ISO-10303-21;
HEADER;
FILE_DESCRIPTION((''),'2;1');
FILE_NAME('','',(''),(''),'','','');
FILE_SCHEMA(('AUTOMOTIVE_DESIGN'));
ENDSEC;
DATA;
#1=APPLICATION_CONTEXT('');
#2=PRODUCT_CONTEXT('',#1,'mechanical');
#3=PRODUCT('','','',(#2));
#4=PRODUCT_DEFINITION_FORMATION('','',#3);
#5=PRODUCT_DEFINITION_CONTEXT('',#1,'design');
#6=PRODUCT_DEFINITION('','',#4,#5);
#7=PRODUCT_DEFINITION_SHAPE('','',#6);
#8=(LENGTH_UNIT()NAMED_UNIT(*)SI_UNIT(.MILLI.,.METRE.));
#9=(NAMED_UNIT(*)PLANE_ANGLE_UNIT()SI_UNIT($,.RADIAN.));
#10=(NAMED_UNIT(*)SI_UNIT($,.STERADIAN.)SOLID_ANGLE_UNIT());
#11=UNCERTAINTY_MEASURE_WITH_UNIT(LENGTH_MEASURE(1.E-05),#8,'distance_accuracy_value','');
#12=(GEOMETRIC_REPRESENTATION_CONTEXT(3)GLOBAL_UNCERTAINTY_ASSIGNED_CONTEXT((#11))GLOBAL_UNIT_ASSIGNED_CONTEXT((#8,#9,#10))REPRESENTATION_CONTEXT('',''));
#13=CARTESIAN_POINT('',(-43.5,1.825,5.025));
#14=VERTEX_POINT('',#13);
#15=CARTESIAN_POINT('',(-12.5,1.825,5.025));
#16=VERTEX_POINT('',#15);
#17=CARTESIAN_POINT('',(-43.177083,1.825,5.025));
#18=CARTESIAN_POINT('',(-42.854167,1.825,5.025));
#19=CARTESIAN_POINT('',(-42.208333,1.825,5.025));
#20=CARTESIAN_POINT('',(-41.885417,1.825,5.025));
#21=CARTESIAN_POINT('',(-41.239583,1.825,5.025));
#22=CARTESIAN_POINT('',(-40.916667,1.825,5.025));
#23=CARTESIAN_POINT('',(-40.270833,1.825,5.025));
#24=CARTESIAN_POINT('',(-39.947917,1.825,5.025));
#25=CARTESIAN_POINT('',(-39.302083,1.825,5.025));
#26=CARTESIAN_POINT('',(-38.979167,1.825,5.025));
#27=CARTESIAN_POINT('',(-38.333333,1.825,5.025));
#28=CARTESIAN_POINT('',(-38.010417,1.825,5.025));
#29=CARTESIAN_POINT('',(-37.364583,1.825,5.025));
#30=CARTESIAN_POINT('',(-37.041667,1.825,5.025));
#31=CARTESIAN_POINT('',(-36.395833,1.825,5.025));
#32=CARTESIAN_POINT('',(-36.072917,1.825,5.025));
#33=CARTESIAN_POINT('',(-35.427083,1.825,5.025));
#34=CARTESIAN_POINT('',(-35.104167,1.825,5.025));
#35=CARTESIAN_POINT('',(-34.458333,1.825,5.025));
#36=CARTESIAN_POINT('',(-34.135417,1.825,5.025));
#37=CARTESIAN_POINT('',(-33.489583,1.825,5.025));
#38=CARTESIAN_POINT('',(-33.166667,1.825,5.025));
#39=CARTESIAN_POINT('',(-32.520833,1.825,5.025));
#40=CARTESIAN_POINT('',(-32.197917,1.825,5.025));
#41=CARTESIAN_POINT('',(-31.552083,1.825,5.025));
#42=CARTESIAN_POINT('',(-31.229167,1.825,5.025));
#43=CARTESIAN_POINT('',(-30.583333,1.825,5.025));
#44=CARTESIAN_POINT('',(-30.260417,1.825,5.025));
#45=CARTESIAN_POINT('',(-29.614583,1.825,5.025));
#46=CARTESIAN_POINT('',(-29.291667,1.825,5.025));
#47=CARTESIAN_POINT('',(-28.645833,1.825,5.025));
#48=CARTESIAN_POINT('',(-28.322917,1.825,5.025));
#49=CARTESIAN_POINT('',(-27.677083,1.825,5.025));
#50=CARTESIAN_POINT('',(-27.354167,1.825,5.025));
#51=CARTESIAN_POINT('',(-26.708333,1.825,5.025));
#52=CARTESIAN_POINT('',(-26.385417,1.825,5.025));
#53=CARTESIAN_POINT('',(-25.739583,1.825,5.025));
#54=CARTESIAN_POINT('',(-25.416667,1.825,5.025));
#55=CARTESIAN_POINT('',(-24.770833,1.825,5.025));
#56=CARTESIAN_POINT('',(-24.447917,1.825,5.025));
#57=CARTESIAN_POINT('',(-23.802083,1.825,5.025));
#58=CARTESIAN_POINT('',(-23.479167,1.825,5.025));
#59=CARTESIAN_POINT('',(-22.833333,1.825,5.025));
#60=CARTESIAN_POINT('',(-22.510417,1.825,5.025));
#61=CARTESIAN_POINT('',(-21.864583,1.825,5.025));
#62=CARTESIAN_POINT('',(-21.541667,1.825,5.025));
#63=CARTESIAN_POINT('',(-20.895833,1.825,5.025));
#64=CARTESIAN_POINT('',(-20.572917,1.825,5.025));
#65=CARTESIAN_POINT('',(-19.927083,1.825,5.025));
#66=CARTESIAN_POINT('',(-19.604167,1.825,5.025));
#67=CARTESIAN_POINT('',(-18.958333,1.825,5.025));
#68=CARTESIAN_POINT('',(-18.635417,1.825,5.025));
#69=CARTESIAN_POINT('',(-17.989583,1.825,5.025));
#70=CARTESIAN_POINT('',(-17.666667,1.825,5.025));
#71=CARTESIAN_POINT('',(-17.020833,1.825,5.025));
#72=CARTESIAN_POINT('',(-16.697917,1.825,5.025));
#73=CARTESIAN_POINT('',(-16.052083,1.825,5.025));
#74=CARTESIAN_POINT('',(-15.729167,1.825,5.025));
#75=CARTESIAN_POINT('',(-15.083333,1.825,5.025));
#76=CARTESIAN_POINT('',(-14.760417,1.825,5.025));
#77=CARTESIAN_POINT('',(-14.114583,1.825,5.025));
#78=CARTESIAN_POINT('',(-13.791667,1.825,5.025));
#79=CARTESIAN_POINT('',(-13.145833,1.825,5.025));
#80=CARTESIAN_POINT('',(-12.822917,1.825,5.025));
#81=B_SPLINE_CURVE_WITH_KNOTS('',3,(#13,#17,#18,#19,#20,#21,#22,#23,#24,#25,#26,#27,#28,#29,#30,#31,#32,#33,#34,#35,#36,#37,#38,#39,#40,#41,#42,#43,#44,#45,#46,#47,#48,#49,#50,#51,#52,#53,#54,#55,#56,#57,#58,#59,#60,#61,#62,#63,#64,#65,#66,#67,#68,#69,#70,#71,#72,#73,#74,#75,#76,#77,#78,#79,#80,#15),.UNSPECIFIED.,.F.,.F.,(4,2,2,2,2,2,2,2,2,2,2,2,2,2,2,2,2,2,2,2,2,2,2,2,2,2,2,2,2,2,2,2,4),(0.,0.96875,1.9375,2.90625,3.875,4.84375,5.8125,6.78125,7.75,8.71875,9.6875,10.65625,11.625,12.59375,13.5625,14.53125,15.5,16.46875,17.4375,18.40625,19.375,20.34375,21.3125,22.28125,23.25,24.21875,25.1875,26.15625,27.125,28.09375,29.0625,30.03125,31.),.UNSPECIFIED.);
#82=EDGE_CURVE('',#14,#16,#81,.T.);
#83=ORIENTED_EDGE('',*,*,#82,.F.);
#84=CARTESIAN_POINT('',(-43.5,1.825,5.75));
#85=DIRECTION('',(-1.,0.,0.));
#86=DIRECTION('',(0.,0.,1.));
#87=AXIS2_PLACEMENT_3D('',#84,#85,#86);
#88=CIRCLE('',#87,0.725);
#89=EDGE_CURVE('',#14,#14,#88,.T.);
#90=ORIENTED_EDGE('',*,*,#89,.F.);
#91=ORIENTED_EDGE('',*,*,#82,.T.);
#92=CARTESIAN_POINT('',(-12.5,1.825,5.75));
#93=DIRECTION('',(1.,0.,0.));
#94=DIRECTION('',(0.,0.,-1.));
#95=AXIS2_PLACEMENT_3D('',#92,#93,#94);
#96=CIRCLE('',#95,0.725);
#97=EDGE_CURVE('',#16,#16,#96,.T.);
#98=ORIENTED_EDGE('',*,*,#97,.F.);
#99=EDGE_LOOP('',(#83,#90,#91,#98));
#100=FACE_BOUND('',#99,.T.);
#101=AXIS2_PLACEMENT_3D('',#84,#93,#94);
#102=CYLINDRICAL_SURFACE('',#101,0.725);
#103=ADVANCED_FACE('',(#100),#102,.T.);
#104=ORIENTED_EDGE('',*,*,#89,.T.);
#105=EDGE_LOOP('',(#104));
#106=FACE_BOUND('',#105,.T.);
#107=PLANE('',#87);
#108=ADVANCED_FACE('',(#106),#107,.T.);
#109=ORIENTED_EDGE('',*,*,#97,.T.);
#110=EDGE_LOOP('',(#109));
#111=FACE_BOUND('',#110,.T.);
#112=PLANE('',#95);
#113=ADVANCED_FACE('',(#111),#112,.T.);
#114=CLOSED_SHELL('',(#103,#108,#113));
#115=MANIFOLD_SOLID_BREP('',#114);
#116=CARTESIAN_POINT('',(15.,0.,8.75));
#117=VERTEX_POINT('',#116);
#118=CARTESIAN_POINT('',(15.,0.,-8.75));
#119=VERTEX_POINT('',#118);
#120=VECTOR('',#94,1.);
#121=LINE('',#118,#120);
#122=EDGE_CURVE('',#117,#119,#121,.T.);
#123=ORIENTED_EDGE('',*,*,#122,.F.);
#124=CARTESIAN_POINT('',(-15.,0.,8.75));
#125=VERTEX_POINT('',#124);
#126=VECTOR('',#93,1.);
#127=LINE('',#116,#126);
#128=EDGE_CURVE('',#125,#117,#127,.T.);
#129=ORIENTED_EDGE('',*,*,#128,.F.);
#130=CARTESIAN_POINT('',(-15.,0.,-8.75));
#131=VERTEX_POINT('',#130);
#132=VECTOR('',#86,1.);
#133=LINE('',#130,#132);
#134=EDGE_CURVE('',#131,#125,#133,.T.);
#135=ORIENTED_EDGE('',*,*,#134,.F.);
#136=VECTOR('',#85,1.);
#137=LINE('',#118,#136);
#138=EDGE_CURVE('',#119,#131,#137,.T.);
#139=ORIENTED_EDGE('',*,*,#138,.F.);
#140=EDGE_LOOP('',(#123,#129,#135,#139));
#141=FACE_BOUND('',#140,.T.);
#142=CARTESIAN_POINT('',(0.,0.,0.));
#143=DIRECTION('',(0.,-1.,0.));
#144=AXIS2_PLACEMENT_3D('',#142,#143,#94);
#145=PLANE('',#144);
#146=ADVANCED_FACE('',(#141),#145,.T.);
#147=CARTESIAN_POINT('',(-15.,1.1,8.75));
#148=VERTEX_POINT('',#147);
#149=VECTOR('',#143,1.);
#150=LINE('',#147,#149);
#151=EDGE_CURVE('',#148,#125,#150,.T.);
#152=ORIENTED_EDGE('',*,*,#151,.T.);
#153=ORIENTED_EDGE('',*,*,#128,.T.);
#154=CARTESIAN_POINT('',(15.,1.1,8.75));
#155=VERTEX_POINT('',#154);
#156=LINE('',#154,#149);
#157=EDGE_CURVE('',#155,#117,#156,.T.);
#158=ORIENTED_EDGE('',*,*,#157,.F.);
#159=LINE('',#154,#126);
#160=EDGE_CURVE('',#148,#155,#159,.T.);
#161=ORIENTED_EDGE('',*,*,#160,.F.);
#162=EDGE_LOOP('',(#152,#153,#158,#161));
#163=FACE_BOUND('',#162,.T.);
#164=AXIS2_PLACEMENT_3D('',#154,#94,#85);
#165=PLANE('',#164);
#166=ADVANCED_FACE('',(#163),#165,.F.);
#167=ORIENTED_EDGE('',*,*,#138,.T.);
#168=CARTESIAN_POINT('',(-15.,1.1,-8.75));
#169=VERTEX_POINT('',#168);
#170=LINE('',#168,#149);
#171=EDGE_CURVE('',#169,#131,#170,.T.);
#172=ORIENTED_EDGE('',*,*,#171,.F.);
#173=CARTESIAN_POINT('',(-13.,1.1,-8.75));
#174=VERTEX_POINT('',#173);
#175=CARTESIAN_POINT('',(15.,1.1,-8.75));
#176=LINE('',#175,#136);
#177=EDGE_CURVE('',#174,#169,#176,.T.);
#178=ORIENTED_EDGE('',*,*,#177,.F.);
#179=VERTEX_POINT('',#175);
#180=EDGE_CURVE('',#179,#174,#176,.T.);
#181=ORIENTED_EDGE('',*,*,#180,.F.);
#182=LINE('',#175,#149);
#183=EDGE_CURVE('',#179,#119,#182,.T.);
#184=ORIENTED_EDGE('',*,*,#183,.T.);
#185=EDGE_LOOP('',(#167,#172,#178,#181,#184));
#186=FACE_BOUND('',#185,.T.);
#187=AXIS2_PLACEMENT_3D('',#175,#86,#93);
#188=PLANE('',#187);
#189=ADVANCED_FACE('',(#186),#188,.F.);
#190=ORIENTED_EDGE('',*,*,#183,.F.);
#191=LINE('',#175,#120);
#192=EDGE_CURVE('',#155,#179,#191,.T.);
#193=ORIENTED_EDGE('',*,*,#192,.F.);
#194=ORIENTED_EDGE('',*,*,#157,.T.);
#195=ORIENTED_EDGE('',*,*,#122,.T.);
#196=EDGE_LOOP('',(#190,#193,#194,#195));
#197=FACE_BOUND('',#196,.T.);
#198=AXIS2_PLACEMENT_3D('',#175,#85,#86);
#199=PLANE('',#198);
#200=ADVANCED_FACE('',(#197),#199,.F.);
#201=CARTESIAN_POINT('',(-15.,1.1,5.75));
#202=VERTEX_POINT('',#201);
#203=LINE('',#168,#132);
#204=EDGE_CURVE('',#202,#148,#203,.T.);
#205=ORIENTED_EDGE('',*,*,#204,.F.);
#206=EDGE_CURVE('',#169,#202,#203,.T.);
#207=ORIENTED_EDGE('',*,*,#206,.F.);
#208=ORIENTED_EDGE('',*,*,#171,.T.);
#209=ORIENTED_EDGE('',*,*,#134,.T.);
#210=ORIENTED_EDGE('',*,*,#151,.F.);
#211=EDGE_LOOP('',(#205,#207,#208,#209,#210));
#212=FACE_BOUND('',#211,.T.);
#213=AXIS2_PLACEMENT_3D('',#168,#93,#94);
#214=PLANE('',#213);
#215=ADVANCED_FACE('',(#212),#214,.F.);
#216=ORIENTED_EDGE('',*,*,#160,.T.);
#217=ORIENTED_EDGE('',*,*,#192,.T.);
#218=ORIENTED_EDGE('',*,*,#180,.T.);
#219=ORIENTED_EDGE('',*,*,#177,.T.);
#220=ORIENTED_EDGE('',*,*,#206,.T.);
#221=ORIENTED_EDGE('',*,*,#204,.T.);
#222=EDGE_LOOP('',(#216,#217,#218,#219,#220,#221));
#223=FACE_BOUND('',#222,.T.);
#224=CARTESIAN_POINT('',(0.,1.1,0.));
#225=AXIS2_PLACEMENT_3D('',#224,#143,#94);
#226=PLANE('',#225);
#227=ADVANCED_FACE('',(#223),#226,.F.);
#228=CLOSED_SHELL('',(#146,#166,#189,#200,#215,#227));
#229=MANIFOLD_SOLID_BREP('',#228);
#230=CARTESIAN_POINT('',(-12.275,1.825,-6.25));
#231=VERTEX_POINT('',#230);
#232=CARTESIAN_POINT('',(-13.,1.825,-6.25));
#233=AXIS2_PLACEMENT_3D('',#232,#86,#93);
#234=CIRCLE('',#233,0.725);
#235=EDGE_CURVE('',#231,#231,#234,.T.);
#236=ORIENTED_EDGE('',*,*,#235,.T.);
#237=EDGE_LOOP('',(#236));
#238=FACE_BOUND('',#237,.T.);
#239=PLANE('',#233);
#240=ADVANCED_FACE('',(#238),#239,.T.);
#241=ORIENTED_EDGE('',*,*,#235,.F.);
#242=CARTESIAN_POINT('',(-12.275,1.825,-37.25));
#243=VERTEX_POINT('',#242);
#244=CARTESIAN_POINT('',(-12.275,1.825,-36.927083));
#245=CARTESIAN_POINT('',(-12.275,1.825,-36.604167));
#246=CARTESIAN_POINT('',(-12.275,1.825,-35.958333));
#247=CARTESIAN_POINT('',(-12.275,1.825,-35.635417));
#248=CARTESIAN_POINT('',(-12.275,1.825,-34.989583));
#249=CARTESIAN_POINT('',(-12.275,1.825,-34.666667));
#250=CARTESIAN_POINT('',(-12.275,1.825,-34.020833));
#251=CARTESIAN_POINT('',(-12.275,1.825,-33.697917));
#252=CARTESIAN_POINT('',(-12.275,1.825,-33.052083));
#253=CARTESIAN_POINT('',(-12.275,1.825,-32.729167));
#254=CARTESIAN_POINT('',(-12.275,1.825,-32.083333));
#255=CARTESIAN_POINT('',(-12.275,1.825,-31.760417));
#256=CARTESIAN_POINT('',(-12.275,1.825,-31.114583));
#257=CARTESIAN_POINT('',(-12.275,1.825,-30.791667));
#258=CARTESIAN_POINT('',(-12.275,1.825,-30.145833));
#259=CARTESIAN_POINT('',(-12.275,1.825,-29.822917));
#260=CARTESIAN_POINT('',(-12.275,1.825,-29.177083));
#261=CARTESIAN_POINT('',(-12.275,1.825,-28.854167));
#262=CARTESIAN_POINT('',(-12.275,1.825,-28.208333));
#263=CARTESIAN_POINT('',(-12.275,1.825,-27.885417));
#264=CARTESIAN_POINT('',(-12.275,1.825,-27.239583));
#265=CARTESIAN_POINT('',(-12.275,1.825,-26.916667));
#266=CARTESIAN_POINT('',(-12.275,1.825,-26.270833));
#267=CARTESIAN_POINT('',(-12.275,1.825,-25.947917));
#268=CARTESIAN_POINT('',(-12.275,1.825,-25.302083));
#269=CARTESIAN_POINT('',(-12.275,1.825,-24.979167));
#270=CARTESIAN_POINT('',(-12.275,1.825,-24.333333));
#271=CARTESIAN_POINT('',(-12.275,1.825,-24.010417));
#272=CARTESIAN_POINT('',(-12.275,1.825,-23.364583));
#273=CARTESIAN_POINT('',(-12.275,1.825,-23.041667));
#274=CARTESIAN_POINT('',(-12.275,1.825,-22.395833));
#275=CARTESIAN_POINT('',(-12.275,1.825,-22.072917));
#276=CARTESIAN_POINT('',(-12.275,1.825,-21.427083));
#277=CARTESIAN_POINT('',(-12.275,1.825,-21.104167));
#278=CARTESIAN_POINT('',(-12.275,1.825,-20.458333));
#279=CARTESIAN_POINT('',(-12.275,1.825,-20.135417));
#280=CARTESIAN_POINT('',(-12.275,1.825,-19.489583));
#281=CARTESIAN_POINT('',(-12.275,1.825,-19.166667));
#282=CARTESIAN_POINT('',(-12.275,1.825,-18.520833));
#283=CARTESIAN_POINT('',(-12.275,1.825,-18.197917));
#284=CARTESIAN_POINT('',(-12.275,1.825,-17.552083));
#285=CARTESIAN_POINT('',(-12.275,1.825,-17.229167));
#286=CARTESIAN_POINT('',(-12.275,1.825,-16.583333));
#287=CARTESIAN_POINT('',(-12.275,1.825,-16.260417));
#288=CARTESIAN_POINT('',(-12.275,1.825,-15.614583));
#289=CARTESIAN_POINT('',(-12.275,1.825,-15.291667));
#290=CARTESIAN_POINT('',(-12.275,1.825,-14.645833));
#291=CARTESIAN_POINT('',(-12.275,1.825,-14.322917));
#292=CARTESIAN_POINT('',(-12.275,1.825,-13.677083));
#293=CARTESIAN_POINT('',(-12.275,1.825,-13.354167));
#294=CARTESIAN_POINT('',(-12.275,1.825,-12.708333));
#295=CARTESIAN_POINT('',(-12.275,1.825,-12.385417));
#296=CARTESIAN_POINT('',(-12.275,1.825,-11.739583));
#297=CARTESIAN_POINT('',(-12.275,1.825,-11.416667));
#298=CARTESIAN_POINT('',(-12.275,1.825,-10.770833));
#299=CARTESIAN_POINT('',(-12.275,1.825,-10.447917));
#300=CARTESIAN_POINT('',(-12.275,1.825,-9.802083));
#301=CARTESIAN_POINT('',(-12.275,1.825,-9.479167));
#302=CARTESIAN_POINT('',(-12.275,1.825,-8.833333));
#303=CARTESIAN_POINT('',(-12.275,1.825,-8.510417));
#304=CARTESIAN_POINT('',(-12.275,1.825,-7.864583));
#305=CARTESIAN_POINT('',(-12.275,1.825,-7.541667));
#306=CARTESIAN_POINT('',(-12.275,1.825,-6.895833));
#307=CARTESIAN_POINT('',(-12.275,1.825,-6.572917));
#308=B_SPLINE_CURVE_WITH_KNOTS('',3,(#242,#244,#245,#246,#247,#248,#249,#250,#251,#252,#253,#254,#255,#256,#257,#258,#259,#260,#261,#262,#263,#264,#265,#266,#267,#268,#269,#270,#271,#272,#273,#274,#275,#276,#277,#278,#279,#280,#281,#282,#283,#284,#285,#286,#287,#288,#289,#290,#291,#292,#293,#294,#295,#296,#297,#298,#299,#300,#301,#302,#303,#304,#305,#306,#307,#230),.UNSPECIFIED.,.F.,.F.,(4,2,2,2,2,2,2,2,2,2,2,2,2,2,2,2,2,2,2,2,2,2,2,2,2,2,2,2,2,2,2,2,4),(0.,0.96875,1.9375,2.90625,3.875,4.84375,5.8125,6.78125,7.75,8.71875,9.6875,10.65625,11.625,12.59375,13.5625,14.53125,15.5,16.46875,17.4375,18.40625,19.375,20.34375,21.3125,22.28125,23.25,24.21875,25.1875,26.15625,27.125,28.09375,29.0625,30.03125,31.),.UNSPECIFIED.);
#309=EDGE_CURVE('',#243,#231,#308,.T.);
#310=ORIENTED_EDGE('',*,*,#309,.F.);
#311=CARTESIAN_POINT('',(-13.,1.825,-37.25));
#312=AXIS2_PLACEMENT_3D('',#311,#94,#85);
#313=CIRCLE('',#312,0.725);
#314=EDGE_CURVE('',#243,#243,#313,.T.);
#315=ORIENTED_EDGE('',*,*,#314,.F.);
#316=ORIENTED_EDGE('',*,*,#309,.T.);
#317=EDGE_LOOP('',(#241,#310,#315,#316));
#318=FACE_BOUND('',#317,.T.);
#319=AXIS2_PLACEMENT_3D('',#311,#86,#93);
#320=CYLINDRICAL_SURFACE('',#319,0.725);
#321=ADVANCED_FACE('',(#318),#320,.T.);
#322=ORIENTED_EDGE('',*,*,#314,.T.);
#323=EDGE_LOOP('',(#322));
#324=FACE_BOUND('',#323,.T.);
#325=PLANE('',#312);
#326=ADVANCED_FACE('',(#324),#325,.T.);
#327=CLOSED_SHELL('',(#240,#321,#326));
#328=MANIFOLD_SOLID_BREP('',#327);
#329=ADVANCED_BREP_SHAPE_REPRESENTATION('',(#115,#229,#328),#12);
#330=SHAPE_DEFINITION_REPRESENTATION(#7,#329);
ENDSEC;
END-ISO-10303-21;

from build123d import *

# Parameters (mm, degrees)
SKETCH1_W           = 30
SKETCH1_H           = 17.5
BOSS_EXTRUDE1_DEPTH = 1.1
SKETCH2_R           = 0.725
BOSS_EXTRUDE2_DEPTH = 28.5
SKETCH4_R           = 0.725
BOSS_EXTRUDE3_DEPTH = 28.5
SKETCH6_R           = 0.725
BOSS_EXTRUDE4_DEPTH = 2.5
SKETCH7_R           = 0.725
BOSS_EXTRUDE5_DEPTH = 2.5


with BuildPart() as part:
    # Sketch1 → Boss-Extrude1 (new body)
    with BuildSketch(Plane(origin=(0, 0, 0), x_dir=(1, 0, 0), z_dir=(0, 1, 0))):
        Rectangle(SKETCH1_W, SKETCH1_H)
    extrude(amount=BOSS_EXTRUDE1_DEPTH)


with BuildPart() as body_2:
    # Sketch2 → Boss-Extrude2 (new body)
    with BuildSketch(Plane(origin=(0, 0, -8.75), x_dir=(-1, 0, 0), z_dir=(0, 0, -1))):
        with Locations(Location((13, 1.825, 0), (0, 0, 180))):
            Circle(SKETCH2_R)
    extrude(amount=BOSS_EXTRUDE2_DEPTH)

    # Sketch6 → Boss-Extrude4 (add)
    with BuildSketch(Plane.XY.offset(-8.75)):
        with Locations((-13, 1.825)):
            Circle(SKETCH6_R)
    extrude(amount=BOSS_EXTRUDE4_DEPTH)


with BuildPart() as body_3:
    # Sketch4 → Boss-Extrude3 (new body)
    with BuildSketch(Plane.ZY.offset(15)):
        with Locations(Location((5.75, 1.825, 0), (0, 0, 180))):
            Circle(SKETCH4_R)
    extrude(amount=BOSS_EXTRUDE3_DEPTH)

    # Sketch7 → Boss-Extrude5 (add)
    with BuildSketch(Plane(origin=(-15, 0, 0), x_dir=(0, 0, -1), z_dir=(1, 0, 0))):
        with Locations((-5.75, 1.825)):
            Circle(SKETCH7_R)
    extrude(amount=BOSS_EXTRUDE5_DEPTH)


solid = Compound([part.part, body_2.part, body_3.part])
